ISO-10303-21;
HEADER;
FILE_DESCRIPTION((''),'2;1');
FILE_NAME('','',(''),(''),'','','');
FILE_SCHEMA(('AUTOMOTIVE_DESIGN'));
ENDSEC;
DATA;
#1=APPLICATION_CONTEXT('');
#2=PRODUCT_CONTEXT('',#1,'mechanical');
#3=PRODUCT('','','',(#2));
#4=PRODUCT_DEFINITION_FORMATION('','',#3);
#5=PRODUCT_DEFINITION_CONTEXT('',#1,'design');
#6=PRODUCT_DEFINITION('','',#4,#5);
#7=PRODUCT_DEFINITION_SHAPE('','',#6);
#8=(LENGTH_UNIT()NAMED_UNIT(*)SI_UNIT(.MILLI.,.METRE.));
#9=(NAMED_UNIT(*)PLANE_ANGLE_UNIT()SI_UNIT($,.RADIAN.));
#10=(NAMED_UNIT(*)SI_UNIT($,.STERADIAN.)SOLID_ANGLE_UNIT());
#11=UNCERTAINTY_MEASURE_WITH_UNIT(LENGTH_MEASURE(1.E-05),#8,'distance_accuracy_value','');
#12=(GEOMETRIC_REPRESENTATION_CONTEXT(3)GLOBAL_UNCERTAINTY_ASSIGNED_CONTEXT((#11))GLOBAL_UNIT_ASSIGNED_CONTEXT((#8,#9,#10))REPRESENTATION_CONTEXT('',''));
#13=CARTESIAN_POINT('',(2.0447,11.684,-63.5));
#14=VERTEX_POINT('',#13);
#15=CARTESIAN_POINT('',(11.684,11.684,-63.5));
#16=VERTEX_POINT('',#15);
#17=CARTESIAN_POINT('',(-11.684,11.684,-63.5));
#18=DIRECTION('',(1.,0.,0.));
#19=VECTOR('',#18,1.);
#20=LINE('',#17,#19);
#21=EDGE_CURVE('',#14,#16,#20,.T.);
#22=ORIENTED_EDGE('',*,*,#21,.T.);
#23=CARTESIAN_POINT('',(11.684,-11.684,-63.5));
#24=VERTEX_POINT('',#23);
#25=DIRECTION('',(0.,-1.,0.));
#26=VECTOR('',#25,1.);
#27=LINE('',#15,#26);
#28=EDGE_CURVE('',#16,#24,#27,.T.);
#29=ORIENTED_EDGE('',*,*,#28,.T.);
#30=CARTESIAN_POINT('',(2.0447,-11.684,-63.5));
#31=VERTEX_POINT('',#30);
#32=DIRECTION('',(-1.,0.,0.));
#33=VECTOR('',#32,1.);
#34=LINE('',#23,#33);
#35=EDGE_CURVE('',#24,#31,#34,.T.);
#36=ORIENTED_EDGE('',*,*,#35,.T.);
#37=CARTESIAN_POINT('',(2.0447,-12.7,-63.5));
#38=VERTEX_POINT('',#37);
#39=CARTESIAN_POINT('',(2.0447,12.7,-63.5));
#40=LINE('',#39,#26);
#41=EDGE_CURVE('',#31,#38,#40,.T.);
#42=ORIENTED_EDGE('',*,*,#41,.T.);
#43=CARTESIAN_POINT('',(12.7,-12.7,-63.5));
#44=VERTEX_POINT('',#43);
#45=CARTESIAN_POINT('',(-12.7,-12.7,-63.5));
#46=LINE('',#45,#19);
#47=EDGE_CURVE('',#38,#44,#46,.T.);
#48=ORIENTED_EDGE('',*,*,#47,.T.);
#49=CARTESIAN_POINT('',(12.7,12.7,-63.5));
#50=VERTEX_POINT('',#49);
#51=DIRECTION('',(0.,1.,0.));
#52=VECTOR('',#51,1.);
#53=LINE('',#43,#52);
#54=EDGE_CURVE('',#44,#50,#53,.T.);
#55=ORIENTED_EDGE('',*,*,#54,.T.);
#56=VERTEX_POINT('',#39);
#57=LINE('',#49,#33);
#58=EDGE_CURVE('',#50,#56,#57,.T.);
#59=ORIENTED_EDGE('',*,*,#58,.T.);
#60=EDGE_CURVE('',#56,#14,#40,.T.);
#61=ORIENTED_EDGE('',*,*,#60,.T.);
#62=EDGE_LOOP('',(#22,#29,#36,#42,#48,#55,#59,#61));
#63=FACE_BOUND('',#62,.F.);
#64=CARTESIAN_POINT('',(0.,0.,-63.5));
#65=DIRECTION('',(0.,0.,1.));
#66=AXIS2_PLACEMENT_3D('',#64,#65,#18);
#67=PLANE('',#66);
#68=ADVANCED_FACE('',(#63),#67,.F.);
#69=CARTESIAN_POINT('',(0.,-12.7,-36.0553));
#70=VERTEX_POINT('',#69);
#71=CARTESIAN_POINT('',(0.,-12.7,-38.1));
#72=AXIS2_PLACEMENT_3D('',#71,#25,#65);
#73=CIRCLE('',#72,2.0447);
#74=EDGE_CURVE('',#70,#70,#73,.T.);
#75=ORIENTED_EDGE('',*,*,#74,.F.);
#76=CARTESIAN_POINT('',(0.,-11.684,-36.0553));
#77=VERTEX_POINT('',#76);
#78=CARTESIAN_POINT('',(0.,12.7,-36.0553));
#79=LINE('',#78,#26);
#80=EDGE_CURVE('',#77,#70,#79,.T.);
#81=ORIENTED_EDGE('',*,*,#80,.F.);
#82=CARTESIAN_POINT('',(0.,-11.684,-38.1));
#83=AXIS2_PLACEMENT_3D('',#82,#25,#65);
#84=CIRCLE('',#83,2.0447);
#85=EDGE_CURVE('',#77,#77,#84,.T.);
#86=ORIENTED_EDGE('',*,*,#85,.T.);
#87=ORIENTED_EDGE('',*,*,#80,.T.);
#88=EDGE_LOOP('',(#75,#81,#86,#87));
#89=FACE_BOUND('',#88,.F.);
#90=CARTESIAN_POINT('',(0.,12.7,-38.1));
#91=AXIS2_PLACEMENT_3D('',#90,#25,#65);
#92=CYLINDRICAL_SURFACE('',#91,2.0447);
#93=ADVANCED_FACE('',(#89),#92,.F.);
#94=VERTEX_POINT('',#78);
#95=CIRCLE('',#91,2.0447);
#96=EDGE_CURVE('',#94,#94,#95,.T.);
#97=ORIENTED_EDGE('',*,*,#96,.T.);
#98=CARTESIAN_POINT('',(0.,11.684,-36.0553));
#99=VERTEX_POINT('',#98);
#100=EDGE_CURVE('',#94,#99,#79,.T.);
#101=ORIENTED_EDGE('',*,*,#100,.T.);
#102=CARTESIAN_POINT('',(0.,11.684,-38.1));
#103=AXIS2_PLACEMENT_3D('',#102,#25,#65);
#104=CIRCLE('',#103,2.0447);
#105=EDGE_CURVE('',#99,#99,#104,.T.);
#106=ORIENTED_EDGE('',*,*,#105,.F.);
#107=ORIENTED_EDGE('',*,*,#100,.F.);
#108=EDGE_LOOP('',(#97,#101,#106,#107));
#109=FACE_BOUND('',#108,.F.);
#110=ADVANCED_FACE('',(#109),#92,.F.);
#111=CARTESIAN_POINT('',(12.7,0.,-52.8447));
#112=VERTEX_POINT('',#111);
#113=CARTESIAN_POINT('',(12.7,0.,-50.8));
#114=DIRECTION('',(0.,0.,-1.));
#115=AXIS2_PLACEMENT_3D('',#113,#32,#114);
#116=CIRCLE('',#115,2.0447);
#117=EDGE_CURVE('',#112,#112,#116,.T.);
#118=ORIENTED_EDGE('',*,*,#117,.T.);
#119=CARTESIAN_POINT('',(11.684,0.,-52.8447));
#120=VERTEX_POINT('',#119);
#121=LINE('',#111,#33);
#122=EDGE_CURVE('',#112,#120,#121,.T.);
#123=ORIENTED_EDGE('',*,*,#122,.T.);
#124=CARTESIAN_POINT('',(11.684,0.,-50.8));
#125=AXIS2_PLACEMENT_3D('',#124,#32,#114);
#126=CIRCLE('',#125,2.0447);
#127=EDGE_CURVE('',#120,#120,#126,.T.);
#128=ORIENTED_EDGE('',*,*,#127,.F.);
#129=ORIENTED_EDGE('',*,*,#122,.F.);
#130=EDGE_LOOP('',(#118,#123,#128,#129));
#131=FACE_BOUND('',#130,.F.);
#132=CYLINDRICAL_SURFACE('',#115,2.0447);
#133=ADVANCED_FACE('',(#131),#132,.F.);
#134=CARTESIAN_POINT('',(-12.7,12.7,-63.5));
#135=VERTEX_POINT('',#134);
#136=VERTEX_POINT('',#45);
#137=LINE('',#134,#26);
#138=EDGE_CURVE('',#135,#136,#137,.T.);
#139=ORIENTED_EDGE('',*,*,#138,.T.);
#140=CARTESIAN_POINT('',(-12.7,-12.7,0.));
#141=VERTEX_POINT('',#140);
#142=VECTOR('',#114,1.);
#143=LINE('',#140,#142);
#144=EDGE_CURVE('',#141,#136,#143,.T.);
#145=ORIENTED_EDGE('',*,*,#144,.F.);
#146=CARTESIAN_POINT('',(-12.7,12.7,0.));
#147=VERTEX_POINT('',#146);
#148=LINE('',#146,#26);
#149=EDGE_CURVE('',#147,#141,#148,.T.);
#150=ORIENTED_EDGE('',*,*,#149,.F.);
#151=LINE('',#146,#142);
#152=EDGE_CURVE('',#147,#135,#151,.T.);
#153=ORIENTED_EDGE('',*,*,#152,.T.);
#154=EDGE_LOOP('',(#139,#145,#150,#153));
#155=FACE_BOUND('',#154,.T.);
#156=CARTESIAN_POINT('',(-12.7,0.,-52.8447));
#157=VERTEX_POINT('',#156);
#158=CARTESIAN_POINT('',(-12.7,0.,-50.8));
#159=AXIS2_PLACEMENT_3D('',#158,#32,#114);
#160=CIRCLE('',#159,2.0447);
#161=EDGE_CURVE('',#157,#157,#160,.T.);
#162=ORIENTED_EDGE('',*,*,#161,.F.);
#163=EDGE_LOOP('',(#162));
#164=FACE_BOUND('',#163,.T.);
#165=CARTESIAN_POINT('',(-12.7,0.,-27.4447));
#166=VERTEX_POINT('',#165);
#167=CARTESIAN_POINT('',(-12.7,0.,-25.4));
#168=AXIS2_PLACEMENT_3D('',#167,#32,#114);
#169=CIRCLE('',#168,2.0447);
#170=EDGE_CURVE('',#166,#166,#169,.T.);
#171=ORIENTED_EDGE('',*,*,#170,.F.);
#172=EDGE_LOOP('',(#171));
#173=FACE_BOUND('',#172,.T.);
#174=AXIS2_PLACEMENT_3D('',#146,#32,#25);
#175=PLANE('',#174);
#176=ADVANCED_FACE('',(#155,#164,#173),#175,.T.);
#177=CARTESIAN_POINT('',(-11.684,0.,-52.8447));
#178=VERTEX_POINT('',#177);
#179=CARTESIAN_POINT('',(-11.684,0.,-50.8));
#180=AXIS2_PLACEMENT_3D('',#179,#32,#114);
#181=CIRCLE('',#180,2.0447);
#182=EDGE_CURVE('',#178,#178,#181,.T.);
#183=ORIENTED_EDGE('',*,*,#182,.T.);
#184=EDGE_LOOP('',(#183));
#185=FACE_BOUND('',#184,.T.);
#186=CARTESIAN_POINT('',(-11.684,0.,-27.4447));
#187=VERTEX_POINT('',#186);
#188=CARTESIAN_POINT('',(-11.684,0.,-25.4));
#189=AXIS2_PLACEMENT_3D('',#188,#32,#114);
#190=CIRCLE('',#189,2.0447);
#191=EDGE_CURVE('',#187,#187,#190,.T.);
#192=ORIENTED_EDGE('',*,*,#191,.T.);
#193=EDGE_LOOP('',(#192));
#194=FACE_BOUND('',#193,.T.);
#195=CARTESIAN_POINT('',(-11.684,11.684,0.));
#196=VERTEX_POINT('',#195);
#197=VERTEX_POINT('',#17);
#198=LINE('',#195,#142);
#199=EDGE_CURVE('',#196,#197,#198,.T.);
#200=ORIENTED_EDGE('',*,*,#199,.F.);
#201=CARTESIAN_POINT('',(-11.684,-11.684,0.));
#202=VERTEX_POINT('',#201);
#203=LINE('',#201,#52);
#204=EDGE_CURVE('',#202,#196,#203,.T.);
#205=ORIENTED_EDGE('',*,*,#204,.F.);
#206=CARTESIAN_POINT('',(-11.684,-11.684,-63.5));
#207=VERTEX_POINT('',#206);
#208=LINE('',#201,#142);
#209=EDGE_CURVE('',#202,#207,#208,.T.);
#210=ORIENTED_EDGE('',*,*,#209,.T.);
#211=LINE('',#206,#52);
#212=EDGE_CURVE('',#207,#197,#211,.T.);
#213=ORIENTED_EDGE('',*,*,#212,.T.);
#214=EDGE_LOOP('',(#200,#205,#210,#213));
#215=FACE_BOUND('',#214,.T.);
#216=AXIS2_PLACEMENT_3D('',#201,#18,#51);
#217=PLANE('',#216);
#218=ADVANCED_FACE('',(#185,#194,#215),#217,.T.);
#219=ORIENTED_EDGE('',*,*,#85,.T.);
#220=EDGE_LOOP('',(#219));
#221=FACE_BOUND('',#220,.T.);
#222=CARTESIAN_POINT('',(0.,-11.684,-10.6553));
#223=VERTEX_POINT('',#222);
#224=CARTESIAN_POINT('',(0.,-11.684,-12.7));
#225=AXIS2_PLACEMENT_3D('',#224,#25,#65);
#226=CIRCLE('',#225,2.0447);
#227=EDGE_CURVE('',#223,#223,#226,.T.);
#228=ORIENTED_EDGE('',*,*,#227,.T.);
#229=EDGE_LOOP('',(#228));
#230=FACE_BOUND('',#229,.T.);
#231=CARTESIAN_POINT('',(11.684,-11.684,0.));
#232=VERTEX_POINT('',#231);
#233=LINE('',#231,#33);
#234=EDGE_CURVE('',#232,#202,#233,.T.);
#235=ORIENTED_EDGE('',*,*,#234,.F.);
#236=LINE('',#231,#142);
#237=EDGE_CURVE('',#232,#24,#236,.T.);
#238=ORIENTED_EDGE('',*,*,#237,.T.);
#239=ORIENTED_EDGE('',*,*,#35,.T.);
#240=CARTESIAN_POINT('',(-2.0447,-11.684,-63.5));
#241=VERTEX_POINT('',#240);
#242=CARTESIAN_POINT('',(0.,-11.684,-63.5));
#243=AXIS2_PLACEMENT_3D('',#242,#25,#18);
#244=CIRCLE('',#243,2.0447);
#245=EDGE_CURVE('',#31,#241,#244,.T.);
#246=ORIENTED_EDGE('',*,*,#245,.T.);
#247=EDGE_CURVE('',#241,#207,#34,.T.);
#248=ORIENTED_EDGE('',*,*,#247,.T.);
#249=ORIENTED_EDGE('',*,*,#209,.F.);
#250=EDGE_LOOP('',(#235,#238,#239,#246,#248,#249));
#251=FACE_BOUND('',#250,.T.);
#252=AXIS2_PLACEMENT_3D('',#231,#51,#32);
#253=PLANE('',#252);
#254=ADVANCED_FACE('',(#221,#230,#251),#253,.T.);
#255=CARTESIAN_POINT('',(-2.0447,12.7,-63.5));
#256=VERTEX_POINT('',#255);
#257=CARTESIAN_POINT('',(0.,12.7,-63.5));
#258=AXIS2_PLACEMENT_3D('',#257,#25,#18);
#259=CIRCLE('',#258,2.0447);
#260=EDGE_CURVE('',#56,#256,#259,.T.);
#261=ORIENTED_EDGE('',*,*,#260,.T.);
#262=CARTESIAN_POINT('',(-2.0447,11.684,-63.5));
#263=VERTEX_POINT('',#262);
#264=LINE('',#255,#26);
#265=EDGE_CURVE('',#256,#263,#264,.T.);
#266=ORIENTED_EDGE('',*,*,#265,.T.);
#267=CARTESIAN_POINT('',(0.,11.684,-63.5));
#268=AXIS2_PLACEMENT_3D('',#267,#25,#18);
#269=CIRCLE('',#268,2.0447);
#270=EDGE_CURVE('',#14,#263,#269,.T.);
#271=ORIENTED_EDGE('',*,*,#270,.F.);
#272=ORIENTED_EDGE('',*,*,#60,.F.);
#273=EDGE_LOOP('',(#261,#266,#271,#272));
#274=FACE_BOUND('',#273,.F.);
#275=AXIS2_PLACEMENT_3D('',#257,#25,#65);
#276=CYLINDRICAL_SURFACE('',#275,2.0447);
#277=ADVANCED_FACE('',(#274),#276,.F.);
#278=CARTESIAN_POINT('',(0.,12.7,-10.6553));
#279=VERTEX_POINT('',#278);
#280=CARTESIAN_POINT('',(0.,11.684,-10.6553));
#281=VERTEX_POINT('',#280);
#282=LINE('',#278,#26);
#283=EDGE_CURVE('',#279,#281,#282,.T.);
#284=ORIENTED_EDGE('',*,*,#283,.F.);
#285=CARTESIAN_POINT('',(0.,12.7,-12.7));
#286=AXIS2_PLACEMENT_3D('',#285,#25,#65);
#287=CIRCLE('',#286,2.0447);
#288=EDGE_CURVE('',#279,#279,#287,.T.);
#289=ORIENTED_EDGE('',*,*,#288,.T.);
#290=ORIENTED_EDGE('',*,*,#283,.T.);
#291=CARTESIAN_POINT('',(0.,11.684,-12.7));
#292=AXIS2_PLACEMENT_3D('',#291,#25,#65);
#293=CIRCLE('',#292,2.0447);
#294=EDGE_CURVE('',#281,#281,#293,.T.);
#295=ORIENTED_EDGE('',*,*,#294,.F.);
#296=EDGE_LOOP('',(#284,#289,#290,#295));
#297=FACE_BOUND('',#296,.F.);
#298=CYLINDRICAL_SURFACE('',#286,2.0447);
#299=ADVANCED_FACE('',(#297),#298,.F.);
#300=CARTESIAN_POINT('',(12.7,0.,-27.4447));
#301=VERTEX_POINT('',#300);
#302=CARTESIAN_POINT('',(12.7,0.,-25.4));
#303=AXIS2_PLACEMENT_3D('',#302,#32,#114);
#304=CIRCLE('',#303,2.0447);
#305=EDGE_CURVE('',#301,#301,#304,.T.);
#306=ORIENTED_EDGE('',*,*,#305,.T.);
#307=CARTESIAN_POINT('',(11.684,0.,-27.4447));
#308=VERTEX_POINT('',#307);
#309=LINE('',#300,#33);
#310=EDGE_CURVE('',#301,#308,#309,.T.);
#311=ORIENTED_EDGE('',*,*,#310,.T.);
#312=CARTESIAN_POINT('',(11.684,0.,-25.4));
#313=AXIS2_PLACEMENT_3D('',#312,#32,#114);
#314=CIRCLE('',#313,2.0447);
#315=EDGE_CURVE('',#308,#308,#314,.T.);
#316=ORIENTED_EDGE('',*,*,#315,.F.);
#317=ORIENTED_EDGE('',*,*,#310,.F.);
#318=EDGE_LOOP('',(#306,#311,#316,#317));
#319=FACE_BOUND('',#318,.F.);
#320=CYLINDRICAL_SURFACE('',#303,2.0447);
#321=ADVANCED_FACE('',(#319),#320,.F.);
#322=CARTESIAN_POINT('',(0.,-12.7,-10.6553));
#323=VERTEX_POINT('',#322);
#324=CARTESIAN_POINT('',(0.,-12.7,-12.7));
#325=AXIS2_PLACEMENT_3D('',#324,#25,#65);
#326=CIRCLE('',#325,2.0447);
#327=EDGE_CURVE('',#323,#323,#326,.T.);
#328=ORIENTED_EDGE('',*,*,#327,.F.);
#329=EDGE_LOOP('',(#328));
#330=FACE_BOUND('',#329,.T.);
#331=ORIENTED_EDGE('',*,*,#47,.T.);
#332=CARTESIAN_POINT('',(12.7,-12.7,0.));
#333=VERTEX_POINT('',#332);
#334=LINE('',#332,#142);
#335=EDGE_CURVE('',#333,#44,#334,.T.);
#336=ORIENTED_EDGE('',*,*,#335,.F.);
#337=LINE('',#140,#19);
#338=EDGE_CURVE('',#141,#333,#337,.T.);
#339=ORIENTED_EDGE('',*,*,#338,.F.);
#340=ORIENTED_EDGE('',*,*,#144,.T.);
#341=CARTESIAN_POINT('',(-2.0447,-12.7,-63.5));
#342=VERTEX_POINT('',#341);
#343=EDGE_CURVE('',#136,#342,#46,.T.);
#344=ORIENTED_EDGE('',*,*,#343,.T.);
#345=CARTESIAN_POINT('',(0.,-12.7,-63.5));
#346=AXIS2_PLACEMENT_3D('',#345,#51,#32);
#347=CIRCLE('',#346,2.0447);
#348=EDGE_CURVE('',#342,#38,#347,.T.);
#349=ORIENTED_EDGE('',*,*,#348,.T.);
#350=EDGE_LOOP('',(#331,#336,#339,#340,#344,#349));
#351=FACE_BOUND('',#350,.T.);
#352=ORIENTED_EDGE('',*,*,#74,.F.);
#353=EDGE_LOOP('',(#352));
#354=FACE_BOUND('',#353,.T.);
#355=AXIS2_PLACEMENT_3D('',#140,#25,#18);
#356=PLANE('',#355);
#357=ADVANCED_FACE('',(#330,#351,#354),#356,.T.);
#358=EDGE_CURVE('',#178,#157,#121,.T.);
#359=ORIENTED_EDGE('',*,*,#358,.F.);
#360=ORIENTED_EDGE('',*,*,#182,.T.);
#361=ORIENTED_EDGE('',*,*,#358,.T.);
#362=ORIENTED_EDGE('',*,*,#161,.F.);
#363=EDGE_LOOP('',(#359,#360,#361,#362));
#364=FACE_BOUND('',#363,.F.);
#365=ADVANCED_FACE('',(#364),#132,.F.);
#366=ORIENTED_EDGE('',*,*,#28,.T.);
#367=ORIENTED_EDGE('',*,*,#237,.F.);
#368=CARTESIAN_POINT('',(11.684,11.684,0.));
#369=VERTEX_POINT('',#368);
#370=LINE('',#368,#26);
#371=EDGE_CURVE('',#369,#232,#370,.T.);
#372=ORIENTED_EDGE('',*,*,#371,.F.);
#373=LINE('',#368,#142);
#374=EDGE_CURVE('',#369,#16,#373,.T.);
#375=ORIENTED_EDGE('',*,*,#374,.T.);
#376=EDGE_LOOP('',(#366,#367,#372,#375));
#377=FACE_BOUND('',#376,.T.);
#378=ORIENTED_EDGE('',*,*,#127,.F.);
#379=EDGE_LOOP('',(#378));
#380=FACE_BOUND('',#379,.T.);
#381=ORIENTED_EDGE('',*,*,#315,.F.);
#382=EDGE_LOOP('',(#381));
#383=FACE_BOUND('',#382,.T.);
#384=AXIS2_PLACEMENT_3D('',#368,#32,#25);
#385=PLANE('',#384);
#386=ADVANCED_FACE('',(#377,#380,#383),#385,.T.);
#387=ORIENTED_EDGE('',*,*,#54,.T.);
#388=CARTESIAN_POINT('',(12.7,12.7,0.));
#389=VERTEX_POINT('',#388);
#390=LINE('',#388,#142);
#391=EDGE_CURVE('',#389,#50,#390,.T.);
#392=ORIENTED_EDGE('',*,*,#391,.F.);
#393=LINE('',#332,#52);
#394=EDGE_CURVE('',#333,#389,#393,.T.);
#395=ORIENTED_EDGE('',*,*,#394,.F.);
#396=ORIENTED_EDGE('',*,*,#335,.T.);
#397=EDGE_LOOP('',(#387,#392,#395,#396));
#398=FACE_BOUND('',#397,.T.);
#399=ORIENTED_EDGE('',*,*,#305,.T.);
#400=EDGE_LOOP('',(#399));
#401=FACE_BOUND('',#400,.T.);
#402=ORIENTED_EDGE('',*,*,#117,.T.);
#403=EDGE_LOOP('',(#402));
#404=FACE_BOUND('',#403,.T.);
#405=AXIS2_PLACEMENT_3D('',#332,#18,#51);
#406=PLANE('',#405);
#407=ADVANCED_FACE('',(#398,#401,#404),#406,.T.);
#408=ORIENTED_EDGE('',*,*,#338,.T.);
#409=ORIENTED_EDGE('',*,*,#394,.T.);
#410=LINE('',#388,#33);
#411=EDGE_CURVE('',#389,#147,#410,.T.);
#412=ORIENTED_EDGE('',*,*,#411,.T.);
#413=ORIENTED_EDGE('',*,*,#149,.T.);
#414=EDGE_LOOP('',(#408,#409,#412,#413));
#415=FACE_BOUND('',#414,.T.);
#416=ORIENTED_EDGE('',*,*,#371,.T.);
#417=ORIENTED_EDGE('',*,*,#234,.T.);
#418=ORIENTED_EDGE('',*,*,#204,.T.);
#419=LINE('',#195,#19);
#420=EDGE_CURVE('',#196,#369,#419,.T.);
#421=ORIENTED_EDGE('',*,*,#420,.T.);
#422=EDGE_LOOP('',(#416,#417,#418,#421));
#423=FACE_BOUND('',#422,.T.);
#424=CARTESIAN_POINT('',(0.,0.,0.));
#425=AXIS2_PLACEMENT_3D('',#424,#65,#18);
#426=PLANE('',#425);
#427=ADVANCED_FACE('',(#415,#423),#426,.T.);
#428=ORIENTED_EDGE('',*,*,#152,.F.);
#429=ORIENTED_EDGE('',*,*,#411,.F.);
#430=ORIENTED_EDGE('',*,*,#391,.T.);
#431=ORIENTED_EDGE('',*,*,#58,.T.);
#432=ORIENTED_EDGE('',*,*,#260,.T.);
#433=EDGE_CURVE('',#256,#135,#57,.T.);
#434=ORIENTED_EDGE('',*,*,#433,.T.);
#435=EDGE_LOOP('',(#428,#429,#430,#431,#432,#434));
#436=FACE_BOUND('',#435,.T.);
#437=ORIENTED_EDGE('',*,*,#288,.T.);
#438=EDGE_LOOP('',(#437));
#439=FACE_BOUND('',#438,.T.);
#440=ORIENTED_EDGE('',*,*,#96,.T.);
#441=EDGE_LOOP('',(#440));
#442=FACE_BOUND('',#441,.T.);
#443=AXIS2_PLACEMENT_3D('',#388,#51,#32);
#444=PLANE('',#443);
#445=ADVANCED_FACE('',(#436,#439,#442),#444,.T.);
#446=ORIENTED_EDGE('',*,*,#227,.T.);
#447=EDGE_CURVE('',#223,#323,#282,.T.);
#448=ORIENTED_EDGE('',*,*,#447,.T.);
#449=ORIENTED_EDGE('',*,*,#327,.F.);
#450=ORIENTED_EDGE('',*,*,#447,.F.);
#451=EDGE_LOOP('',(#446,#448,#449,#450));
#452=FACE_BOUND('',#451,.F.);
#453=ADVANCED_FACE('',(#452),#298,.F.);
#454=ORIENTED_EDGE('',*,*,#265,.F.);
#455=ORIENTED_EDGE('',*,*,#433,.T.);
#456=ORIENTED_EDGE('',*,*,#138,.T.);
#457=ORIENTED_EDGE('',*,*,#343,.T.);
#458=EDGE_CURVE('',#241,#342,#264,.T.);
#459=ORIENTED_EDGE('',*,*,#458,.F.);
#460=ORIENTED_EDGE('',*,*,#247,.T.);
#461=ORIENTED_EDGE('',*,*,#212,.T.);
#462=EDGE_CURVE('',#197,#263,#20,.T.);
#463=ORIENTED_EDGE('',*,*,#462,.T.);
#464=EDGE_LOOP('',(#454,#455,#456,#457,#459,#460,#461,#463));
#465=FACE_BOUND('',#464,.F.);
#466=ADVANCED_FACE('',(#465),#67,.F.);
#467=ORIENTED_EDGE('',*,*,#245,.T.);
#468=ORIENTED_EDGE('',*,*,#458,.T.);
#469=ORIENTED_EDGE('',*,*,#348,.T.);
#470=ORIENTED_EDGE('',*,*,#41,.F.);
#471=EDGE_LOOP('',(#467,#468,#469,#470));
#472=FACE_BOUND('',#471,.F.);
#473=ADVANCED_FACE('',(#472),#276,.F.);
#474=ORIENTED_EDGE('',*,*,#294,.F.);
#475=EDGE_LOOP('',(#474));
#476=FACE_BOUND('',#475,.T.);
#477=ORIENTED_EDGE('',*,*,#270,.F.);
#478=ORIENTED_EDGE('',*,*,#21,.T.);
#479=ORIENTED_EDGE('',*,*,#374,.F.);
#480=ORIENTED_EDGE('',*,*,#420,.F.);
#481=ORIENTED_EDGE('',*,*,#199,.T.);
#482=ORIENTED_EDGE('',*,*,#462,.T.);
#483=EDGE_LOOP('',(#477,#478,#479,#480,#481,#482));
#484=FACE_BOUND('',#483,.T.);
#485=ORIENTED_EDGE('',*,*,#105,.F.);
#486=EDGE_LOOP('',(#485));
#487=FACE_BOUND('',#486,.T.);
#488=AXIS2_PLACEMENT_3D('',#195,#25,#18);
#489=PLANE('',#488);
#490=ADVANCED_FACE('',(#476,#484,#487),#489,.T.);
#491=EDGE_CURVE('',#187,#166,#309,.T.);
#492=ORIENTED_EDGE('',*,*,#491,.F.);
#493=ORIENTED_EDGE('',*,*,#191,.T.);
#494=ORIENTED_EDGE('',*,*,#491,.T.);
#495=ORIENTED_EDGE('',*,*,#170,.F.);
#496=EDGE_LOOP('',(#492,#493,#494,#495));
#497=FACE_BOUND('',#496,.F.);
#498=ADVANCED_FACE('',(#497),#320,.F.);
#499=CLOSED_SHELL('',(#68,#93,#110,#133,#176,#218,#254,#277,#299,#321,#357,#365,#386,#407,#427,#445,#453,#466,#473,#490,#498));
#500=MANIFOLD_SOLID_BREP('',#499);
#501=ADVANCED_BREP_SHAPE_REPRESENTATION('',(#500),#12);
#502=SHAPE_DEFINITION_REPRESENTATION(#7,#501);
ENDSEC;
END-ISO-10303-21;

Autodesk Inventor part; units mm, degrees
ref_plane "YZ Plane" through (0, 0, 0) normal (1, 0, 0) x (0, 1, 0)
ref_plane "XZ Plane" through (0, 0, 0) normal (0, 1, 0) x (-1, 0, 0)
ref_plane "XY Plane" through (0, 0, 0) normal (0, 0, 1) x (1, 0, 0)
sketch "Sketch1" plane through (0, 0, 0) normal (0, 0, 1) x (1, 0, 0)
  line L0 (-12.7, -12.7) -> (12.7, -12.7)
  line L1 (12.7, -12.7) -> (12.7, 12.7)
  line L2 (12.7, 12.7) -> (-12.7, 12.7)
  line L3 (-12.7, 12.7) -> (-12.7, -12.7)
  line L4 (-12.7, -12.7) -> (12.7, 12.7) construction
  line L5 (12.7, -12.7) -> (-12.7, 12.7) construction
  line L6 (-11.684, 11.684) -> (11.684, 11.684)
  line L7 (11.684, 11.684) -> (11.684, -11.684)
  line L8 (11.684, -11.684) -> (-11.684, -11.684)
  line L9 (-11.684, -11.684) -> (-11.684, 11.684)
  point P0 (0, 0)
  dimension "l1" = 25.4
  dimension "l2" = 25.4
  dimension "wt" = 1.016
extrude "Extrusion1" add sketch "Sketch1" against normal blind 63.5
sketch "Sketch2" plane through (-12.7, 12.7, 0) normal (0, 1, 0) x (1, 0, 0)
  line L0 (25.4, 0) -> (0, 0) projected
  line L1 (25.4, 0) -> (25.4, 63.5) projected
  line L2 (0, 63.5) -> (25.4, 63.5) projected
  line L3 (0, 0) -> (0, 63.5) projected
  point P0 (12.7, 0)
  point P1 (12.7, 12.7)
  dimension "d5" = 25.4
  dimension "d6" = 12.7
  dimension "d7" = 12.7
hole "Hole3" at (0, 12.7, -12.7) direction (0, -1, 0) diameter 4.0894 end through all
sketch "Sketch3" plane through (12.7, -12.7, 0) normal (1, 0, 0) x (0, 0, -1)
  line L0 (0, 0) -> (0, 25.4) projected
  line L1 (0, 0) -> (63.5, 0) projected
  line L2 (63.5, 25.4) -> (63.5, 0) projected
  line L3 (0, 25.4) -> (63.5, 25.4) projected
  point P0 (0, 12.7)
  point P1 (25.4, 12.7)
  dimension "d22" = 25.4
  dimension "d23" = 12.7
  dimension "d24" = 25.4
hole "Hole4" at (12.7, 0, -25.4) direction (-1, 0, 0) diameter 4.0894 end through all
pattern_linear "Rectangular Pattern1" count 4 spacing 25.4 along (0, 0, -1) of "Hole3"
pattern_linear "Rectangular Pattern2" count 4 spacing 25.4 along (0, 0, -1) of "Hole4"
equation "\"d6\" = 0.5 * d5"
equation "\"d23\" = 0.5 * d22"
properties part number "versatubing_1x1x40" material "Aluminum 6061"
